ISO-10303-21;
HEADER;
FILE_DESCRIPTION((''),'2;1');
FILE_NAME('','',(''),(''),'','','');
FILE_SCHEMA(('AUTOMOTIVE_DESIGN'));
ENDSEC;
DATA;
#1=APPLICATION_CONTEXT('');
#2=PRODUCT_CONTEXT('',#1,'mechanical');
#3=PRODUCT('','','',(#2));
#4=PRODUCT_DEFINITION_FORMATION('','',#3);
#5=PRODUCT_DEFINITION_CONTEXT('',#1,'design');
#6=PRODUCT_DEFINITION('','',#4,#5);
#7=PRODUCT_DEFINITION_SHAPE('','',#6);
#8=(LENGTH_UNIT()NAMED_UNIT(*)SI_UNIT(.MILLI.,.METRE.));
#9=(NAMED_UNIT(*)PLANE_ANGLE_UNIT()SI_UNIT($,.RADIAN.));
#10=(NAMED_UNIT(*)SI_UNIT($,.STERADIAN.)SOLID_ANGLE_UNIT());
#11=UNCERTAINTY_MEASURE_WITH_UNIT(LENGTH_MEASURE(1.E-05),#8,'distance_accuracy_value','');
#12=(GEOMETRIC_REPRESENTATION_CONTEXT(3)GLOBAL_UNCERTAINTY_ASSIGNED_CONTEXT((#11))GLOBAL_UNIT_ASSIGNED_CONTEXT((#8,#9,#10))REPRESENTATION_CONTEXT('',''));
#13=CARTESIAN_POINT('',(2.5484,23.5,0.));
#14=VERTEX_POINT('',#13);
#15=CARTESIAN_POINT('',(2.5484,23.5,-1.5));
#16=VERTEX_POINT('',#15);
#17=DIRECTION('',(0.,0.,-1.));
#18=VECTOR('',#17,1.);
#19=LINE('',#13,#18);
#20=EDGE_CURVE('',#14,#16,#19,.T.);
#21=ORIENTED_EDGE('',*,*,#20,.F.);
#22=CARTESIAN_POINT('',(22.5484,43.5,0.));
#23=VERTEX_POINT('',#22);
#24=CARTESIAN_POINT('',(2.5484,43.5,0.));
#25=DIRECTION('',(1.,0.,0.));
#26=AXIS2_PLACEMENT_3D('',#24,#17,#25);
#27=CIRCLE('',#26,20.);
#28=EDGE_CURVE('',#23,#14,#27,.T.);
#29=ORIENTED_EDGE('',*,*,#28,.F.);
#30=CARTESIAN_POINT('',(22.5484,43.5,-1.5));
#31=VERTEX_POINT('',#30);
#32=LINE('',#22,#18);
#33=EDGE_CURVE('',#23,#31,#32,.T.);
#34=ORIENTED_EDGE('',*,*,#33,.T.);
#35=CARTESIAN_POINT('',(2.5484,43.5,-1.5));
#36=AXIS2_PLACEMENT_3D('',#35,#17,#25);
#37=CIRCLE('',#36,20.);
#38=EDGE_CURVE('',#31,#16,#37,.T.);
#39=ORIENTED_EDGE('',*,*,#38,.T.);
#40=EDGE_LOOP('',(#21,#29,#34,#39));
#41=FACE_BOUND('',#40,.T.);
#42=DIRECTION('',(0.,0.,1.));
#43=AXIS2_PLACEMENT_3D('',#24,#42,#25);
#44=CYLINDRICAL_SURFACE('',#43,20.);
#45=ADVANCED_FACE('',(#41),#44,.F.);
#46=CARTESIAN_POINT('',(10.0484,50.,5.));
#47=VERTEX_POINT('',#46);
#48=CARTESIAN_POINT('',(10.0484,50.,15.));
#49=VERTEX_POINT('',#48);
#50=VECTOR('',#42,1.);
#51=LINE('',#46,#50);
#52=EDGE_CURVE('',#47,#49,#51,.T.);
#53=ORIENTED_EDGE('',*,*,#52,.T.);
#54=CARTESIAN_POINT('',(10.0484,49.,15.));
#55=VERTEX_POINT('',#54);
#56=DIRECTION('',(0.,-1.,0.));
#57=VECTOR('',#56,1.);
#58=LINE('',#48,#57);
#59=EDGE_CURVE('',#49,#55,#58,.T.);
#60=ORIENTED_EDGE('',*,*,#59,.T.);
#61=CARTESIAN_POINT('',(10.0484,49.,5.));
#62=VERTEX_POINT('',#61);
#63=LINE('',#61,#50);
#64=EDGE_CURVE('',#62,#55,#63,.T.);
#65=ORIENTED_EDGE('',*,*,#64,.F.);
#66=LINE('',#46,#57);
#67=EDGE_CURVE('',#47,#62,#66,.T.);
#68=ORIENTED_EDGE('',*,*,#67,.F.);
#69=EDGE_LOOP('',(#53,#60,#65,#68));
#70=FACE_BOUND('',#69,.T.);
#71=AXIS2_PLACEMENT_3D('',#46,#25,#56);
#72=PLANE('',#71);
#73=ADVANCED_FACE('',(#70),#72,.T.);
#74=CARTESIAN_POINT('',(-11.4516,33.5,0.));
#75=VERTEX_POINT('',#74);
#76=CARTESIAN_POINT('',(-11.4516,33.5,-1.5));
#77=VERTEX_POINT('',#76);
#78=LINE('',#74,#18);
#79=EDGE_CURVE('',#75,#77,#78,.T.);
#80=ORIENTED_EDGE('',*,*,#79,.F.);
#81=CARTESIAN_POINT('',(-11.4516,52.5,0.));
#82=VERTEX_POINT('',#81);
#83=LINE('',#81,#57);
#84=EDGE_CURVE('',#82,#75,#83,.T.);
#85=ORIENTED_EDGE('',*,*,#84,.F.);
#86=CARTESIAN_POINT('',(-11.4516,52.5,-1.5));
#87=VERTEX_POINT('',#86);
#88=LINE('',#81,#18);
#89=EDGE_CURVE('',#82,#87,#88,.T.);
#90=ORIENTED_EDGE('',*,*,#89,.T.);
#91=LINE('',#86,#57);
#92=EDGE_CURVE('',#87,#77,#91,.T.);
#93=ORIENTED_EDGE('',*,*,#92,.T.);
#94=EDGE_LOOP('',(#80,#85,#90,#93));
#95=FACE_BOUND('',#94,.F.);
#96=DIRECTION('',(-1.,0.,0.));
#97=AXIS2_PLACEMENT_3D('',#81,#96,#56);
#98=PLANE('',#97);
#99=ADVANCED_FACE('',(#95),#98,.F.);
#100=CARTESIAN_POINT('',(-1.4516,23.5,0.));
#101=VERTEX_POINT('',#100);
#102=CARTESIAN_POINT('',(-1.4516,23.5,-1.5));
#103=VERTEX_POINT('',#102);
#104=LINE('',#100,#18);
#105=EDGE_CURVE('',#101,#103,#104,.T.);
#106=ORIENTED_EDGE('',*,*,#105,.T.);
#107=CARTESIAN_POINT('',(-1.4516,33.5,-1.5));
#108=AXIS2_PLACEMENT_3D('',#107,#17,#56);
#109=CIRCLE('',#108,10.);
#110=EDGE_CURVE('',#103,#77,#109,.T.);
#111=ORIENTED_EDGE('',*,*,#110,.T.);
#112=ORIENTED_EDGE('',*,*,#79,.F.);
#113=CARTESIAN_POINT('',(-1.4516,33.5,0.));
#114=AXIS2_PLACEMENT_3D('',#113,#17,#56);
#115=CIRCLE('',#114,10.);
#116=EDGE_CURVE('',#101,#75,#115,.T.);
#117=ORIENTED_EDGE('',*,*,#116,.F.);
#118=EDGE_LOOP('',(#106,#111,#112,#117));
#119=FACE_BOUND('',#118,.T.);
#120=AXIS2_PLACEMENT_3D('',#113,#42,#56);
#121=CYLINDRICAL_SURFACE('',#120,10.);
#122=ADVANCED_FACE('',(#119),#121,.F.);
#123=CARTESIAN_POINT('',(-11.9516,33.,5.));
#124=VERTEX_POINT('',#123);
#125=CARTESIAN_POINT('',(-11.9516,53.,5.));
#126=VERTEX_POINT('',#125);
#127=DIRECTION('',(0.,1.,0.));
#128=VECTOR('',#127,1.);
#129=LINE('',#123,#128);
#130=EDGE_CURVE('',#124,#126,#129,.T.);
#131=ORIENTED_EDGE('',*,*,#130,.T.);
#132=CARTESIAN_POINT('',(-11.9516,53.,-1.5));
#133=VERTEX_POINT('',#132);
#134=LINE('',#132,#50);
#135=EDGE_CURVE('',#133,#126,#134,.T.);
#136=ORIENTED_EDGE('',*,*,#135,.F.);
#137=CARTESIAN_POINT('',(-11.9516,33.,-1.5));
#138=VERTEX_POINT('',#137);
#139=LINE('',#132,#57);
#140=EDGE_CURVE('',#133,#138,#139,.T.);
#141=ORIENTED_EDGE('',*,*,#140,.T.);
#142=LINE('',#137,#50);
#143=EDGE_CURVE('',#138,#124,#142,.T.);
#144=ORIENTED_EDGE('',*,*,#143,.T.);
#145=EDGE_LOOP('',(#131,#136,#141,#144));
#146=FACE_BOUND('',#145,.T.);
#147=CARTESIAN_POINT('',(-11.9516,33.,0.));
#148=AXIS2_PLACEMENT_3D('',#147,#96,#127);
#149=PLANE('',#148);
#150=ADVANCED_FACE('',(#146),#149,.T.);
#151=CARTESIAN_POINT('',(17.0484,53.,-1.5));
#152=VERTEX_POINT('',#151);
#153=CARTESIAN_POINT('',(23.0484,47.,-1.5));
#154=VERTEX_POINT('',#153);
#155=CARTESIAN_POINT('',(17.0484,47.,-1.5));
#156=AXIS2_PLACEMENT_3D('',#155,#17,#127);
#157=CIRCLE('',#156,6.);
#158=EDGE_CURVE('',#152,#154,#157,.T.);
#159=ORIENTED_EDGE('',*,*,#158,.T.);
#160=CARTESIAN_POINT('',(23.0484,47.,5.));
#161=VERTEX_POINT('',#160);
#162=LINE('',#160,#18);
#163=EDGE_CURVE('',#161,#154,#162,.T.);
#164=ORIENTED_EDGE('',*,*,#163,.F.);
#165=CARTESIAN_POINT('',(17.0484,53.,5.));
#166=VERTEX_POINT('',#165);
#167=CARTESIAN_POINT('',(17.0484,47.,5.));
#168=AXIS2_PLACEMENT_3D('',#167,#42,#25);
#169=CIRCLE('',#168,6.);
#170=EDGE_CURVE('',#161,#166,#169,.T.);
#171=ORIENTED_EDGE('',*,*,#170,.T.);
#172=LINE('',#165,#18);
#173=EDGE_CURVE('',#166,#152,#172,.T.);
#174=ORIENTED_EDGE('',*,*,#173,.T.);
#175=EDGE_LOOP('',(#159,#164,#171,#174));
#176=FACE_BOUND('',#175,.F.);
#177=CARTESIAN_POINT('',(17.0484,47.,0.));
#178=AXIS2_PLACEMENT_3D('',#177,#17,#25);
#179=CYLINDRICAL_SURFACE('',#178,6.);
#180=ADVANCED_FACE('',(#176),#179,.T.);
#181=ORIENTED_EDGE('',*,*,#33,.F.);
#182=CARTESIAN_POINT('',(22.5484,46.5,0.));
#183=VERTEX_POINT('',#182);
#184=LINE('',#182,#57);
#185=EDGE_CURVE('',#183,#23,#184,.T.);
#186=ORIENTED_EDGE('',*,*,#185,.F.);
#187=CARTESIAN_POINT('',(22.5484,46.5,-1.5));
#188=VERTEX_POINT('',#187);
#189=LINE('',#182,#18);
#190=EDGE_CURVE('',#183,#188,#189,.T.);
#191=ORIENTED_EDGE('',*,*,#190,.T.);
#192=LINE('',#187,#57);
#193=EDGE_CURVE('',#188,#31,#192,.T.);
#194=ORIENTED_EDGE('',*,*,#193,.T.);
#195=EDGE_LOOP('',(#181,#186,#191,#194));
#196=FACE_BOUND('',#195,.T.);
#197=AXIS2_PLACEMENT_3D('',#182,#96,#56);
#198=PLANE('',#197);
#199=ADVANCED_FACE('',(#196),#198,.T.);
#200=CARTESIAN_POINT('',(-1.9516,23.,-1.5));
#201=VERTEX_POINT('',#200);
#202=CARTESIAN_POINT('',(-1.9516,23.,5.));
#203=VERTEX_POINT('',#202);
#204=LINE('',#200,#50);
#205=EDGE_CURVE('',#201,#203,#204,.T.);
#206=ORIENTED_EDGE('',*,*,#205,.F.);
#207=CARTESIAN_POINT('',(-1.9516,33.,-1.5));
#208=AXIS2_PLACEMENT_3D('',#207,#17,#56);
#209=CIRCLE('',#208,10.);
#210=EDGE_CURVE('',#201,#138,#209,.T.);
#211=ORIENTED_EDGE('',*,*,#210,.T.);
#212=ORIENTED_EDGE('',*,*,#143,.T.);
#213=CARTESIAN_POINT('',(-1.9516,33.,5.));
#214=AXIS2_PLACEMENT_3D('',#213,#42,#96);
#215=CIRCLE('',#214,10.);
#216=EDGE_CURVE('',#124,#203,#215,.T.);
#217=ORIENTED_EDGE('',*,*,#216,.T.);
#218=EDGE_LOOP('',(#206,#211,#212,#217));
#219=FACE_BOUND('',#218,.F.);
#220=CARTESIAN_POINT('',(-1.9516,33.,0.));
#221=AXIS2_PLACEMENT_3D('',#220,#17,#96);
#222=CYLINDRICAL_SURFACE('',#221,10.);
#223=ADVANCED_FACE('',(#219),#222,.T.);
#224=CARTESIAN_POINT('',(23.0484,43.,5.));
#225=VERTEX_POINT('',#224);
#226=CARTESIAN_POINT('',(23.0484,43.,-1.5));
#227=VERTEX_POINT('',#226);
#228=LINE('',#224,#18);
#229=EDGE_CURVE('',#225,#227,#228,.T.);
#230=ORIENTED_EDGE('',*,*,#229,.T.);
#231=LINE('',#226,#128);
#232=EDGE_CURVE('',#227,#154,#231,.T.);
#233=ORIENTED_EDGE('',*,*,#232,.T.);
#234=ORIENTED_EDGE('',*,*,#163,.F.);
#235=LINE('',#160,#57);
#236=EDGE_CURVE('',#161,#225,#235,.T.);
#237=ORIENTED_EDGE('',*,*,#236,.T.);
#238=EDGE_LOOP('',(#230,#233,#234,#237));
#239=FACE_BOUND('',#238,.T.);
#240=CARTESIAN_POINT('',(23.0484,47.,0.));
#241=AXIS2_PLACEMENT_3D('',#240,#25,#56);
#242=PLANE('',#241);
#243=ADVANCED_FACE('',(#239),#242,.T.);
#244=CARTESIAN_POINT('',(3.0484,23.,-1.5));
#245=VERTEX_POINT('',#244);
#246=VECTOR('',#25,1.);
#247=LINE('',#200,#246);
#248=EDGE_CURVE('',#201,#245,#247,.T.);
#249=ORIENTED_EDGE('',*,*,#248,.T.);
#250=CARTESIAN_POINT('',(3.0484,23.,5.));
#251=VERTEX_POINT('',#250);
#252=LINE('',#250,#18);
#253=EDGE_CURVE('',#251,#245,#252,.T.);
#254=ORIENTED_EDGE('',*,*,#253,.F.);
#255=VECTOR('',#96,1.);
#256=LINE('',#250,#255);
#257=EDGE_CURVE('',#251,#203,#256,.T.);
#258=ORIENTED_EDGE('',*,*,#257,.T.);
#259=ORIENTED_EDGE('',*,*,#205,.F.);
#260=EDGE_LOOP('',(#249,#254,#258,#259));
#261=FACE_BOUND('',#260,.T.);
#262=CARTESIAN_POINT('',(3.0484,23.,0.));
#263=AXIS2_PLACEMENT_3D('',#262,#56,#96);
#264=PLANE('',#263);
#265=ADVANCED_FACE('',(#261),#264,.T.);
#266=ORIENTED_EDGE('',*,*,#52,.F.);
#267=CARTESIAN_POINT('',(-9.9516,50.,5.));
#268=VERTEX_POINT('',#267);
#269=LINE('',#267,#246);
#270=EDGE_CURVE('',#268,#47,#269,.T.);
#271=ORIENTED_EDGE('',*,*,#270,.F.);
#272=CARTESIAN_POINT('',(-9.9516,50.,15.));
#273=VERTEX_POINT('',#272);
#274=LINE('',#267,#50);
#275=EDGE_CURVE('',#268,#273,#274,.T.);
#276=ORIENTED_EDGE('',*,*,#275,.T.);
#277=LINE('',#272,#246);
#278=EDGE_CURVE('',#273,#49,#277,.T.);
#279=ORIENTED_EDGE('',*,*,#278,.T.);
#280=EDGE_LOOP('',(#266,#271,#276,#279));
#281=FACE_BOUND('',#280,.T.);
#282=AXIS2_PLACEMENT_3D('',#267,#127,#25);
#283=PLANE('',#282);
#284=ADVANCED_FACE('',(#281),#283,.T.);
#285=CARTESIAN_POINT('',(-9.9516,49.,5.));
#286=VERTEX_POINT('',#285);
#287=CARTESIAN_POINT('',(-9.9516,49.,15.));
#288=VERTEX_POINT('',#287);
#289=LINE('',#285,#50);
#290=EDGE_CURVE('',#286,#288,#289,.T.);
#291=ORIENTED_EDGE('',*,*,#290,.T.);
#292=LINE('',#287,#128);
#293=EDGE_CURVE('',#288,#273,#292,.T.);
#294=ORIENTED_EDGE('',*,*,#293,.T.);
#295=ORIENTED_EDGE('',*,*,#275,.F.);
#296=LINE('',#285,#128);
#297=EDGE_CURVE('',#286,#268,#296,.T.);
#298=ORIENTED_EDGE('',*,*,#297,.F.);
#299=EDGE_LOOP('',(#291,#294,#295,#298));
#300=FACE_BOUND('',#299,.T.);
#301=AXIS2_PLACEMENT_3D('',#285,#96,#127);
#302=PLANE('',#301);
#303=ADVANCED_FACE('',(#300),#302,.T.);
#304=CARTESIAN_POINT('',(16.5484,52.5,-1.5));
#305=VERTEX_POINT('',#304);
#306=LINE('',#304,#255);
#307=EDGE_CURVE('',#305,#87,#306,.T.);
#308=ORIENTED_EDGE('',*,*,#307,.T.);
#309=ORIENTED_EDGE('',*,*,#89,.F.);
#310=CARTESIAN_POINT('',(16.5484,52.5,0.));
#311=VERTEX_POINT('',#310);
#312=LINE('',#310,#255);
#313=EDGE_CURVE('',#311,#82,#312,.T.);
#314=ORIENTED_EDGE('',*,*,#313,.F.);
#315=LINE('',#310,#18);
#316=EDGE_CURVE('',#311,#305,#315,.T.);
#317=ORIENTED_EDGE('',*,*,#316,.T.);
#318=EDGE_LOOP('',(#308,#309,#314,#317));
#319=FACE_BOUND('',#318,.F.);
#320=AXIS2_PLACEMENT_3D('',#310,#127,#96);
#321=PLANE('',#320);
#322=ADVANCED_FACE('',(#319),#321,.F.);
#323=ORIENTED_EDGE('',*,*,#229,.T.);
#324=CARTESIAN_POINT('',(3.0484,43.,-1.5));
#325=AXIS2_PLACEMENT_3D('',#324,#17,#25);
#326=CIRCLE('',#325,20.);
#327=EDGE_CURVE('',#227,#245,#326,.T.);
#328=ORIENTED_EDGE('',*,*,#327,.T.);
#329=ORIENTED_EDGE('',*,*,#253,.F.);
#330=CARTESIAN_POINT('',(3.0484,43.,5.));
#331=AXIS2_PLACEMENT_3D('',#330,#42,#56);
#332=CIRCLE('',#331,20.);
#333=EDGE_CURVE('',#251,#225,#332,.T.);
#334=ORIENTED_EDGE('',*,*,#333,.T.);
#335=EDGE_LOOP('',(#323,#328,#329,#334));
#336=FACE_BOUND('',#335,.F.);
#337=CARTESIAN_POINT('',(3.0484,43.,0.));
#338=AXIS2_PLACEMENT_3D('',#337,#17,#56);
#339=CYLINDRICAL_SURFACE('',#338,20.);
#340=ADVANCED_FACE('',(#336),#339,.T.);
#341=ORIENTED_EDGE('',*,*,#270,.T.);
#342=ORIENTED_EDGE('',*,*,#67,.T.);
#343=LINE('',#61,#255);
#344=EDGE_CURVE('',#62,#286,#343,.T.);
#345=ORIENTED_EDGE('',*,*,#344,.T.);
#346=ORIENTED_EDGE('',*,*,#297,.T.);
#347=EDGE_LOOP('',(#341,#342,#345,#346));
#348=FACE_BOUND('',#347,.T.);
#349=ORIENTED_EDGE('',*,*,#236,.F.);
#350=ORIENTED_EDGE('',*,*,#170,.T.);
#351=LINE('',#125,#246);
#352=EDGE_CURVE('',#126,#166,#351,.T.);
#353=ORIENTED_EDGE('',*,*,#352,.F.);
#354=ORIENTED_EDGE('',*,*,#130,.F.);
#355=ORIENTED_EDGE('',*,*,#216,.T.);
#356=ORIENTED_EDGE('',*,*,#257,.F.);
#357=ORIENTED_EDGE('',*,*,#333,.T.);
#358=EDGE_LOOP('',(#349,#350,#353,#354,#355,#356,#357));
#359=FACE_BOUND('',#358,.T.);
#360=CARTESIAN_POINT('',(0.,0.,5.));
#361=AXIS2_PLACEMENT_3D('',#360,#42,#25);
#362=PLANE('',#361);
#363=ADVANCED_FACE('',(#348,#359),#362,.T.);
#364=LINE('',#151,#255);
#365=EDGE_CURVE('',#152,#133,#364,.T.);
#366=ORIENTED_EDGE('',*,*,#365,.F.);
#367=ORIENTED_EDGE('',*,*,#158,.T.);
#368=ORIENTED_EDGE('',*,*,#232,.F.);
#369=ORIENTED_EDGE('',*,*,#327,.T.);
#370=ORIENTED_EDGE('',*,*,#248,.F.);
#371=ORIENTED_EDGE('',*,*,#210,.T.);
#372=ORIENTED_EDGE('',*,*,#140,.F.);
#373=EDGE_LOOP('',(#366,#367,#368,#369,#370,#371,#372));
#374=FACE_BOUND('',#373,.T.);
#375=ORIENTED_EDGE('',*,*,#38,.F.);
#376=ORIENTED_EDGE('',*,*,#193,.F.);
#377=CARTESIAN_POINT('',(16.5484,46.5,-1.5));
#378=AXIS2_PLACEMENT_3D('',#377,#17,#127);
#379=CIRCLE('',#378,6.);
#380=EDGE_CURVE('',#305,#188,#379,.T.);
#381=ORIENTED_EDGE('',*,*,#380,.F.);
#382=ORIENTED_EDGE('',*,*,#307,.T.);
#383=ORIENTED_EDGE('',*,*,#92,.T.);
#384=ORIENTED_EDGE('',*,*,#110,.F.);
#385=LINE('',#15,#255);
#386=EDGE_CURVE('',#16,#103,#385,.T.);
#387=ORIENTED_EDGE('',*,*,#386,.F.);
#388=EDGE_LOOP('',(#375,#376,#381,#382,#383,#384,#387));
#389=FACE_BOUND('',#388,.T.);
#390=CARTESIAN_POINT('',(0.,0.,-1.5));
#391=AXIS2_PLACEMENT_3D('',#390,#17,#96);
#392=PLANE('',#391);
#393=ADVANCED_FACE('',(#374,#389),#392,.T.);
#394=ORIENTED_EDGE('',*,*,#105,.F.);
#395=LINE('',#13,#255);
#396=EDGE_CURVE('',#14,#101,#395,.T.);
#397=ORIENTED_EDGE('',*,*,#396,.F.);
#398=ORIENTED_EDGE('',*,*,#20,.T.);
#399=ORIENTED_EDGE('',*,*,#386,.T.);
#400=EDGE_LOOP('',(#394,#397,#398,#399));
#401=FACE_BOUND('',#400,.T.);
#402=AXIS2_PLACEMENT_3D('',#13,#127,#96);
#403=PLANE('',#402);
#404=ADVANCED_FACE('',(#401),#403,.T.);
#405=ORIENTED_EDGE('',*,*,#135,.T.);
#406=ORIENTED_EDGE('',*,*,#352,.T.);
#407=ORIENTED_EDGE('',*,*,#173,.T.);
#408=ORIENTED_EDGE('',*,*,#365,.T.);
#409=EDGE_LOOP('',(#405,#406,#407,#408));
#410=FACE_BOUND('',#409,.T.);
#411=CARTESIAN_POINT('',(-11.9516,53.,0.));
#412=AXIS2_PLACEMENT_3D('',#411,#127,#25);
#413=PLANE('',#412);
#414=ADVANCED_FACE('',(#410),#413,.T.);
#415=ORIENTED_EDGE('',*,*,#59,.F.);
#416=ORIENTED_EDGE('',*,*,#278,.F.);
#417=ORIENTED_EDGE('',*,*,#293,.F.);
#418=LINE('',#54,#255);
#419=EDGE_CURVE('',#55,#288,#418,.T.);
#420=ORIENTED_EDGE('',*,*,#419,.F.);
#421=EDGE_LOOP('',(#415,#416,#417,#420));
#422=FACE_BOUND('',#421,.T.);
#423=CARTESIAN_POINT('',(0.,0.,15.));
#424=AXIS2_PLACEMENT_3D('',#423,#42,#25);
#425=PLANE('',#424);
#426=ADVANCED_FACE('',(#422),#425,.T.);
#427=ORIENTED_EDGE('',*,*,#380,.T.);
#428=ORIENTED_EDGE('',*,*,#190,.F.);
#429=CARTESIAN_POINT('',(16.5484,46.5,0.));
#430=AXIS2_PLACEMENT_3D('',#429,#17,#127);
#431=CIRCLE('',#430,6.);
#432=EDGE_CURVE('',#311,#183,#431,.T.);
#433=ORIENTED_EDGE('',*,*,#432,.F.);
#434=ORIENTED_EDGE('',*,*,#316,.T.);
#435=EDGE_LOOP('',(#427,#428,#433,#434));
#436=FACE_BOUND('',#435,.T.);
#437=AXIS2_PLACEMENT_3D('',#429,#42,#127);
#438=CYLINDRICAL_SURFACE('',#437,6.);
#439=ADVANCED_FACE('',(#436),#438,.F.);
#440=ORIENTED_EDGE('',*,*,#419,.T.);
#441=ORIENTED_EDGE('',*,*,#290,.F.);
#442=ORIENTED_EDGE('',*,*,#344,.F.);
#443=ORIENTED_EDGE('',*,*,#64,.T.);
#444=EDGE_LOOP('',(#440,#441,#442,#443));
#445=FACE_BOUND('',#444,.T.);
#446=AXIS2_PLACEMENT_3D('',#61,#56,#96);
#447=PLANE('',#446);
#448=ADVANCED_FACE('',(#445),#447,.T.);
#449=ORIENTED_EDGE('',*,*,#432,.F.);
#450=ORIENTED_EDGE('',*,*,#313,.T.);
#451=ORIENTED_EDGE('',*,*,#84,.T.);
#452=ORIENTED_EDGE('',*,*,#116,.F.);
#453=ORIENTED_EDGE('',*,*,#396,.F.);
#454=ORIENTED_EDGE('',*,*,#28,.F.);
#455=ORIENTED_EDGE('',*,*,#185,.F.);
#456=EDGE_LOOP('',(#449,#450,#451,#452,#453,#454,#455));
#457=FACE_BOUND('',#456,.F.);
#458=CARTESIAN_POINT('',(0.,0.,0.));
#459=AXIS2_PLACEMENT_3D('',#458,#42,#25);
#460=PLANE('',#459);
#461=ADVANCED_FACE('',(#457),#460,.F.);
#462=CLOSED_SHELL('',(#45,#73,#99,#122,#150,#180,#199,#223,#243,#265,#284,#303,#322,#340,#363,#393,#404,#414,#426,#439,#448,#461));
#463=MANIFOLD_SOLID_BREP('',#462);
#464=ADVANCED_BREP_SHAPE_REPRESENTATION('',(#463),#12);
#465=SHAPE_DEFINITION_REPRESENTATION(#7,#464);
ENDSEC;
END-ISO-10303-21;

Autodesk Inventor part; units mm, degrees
ref_plane "YZ Plane" through (0, 0, 0) normal (1, 0, 0) x (0, 1, 0)
ref_plane "XZ Plane" through (0, 0, 0) normal (0, 1, 0) x (-1, 0, 0)
ref_plane "XY Plane" through (0, 0, 0) normal (0, 0, 1) x (1, 0, 0)
sketch "Sketch1" plane through (0, 0, 0) normal (0, 0, 1) x (1, 0, 0)
  line L0 (-11.9516, 53) -> (17.0484, 53)
  line L1 (23.0484, 47) -> (23.0484, 43)
  line L2 (3.0484, 23) -> (-1.9516, 23)
  line L3 (-11.9516, 33) -> (-11.9516, 53)
  arc A0 (23.0484, 47) -> (17.0484, 53) centre (17.0484, 47) ccw
  arc A1 (3.0484, 23) -> (23.0484, 43) centre (3.0484, 43) ccw
  arc A2 (-11.9516, 33) -> (-1.9516, 23) centre (-1.9516, 33) ccw
  point P0 (0, 0)
  point P1 (23.0484, 23)
  point P2 (-11.9516, 23)
  dimension "d0" = 6
  dimension "d1" = 30
  dimension "d2" = 35
  dimension "d3" = 20
  dimension "d4" = 10
extrude "Extrusion1" add sketch "Sketch1" along normal blind 5
sketch "Sketch3" plane through (0, 0, 0) normal (0, 0, -1) x (-1, 0, 0)
  line L0 (-17.0484, 53) -> (11.9516, 53) projected
  line L1 (11.9516, 53) -> (11.9516, 33) projected
  line L2 (11.9516, 53) -> (11.9516, 33)
  arc A0 (1.9516, 23) -> (11.9516, 33) centre (1.9516, 33) ccw projected
  line L3 (1.9516, 23) -> (-3.0484, 23) projected
  line L4 (1.9516, 23) -> (-3.0484, 23)
  line L5 (-23.0484, 43) -> (-23.0484, 47) projected
  line L6 (-23.0484, 43) -> (-23.0484, 47)
  arc A1 (-17.0484, 53) -> (-23.0484, 47) centre (-17.0484, 47) ccw projected
  line L7 (-17.0484, 53) -> (11.9516, 53)
  arc A2 (1.9516, 23) -> (11.9516, 33) centre (1.9516, 33) ccw
  arc A3 (-23.0484, 43) -> (-3.0484, 23) centre (-3.0484, 43) ccw
  arc A4 (-17.0484, 53) -> (-23.0484, 47) centre (-17.0484, 47) ccw
  line L8 (11.4516, 52.5) -> (11.4516, 33.5)
  line L9 (-2.5484, 23.5) -> (1.4516, 23.5)
  line L10 (-22.5484, 46.5) -> (-22.5484, 43.5)
  line L11 (-16.5484, 52.5) -> (11.4516, 52.5)
  arc A5 (-16.5484, 52.5) -> (-22.5484, 46.5) centre (-16.5484, 46.5) ccw
  arc A6 (1.4516, 23.5) -> (11.4516, 33.5) centre (1.4516, 33.5) ccw
  arc A7 (-22.5484, 43.5) -> (-2.5484, 23.5) centre (-2.5484, 43.5) ccw
  point P0 (0, 0)
  dimension "d14" = 10
  dimension "d15" = 20
  dimension "d16" = 6
  dimension "d17" = 0.5
  dimension "d18" = 0.5
  dimension "d19" = 0.5
  dimension "d20" = 0.5
  dimension "d21" = 6
  dimension "d22" = 10
  dimension "d23" = 20
extrude "Extrusion2" add sketch "Sketch3" along normal blind 1.5
sketch "Sketch4" plane through (0, 0, 5) normal (0, 0, 1) x (1, 0, 0)
  line L0 (-1.9516, 23) -> (3.0484, 23) projected
  arc A0 (3.0484, 23) -> (23.0484, 43) centre (3.0484, 43) ccw projected
  line L1 (23.0484, 43) -> (23.0484, 47) projected
  arc A1 (23.0484, 47) -> (17.0484, 53) centre (17.0484, 47) ccw projected
  line L2 (17.0484, 53) -> (-11.9516, 53) projected
  line L3 (-11.9516, 53) -> (-11.9516, 33) projected
  arc A2 (-11.9516, 33) -> (-1.9516, 23) centre (-1.9516, 33) ccw projected
  line L4 (-9.9516, 50) -> (10.0484, 50)
  line L5 (10.0484, 50) -> (10.0484, 49)
  line L6 (10.0484, 49) -> (-9.9516, 49)
  line L7 (-9.9516, 49) -> (-9.9516, 50)
  point P0 (0, 0)
  dimension "d26" = 1
  dimension "d27" = 3
  dimension "d28" = 2
  dimension "d29" = 20
extrude "Extrusion3" add sketch "Sketch4" along normal blind 10 contours L4 L5 L6 L7
properties part number "McCrea_oko_walle"
